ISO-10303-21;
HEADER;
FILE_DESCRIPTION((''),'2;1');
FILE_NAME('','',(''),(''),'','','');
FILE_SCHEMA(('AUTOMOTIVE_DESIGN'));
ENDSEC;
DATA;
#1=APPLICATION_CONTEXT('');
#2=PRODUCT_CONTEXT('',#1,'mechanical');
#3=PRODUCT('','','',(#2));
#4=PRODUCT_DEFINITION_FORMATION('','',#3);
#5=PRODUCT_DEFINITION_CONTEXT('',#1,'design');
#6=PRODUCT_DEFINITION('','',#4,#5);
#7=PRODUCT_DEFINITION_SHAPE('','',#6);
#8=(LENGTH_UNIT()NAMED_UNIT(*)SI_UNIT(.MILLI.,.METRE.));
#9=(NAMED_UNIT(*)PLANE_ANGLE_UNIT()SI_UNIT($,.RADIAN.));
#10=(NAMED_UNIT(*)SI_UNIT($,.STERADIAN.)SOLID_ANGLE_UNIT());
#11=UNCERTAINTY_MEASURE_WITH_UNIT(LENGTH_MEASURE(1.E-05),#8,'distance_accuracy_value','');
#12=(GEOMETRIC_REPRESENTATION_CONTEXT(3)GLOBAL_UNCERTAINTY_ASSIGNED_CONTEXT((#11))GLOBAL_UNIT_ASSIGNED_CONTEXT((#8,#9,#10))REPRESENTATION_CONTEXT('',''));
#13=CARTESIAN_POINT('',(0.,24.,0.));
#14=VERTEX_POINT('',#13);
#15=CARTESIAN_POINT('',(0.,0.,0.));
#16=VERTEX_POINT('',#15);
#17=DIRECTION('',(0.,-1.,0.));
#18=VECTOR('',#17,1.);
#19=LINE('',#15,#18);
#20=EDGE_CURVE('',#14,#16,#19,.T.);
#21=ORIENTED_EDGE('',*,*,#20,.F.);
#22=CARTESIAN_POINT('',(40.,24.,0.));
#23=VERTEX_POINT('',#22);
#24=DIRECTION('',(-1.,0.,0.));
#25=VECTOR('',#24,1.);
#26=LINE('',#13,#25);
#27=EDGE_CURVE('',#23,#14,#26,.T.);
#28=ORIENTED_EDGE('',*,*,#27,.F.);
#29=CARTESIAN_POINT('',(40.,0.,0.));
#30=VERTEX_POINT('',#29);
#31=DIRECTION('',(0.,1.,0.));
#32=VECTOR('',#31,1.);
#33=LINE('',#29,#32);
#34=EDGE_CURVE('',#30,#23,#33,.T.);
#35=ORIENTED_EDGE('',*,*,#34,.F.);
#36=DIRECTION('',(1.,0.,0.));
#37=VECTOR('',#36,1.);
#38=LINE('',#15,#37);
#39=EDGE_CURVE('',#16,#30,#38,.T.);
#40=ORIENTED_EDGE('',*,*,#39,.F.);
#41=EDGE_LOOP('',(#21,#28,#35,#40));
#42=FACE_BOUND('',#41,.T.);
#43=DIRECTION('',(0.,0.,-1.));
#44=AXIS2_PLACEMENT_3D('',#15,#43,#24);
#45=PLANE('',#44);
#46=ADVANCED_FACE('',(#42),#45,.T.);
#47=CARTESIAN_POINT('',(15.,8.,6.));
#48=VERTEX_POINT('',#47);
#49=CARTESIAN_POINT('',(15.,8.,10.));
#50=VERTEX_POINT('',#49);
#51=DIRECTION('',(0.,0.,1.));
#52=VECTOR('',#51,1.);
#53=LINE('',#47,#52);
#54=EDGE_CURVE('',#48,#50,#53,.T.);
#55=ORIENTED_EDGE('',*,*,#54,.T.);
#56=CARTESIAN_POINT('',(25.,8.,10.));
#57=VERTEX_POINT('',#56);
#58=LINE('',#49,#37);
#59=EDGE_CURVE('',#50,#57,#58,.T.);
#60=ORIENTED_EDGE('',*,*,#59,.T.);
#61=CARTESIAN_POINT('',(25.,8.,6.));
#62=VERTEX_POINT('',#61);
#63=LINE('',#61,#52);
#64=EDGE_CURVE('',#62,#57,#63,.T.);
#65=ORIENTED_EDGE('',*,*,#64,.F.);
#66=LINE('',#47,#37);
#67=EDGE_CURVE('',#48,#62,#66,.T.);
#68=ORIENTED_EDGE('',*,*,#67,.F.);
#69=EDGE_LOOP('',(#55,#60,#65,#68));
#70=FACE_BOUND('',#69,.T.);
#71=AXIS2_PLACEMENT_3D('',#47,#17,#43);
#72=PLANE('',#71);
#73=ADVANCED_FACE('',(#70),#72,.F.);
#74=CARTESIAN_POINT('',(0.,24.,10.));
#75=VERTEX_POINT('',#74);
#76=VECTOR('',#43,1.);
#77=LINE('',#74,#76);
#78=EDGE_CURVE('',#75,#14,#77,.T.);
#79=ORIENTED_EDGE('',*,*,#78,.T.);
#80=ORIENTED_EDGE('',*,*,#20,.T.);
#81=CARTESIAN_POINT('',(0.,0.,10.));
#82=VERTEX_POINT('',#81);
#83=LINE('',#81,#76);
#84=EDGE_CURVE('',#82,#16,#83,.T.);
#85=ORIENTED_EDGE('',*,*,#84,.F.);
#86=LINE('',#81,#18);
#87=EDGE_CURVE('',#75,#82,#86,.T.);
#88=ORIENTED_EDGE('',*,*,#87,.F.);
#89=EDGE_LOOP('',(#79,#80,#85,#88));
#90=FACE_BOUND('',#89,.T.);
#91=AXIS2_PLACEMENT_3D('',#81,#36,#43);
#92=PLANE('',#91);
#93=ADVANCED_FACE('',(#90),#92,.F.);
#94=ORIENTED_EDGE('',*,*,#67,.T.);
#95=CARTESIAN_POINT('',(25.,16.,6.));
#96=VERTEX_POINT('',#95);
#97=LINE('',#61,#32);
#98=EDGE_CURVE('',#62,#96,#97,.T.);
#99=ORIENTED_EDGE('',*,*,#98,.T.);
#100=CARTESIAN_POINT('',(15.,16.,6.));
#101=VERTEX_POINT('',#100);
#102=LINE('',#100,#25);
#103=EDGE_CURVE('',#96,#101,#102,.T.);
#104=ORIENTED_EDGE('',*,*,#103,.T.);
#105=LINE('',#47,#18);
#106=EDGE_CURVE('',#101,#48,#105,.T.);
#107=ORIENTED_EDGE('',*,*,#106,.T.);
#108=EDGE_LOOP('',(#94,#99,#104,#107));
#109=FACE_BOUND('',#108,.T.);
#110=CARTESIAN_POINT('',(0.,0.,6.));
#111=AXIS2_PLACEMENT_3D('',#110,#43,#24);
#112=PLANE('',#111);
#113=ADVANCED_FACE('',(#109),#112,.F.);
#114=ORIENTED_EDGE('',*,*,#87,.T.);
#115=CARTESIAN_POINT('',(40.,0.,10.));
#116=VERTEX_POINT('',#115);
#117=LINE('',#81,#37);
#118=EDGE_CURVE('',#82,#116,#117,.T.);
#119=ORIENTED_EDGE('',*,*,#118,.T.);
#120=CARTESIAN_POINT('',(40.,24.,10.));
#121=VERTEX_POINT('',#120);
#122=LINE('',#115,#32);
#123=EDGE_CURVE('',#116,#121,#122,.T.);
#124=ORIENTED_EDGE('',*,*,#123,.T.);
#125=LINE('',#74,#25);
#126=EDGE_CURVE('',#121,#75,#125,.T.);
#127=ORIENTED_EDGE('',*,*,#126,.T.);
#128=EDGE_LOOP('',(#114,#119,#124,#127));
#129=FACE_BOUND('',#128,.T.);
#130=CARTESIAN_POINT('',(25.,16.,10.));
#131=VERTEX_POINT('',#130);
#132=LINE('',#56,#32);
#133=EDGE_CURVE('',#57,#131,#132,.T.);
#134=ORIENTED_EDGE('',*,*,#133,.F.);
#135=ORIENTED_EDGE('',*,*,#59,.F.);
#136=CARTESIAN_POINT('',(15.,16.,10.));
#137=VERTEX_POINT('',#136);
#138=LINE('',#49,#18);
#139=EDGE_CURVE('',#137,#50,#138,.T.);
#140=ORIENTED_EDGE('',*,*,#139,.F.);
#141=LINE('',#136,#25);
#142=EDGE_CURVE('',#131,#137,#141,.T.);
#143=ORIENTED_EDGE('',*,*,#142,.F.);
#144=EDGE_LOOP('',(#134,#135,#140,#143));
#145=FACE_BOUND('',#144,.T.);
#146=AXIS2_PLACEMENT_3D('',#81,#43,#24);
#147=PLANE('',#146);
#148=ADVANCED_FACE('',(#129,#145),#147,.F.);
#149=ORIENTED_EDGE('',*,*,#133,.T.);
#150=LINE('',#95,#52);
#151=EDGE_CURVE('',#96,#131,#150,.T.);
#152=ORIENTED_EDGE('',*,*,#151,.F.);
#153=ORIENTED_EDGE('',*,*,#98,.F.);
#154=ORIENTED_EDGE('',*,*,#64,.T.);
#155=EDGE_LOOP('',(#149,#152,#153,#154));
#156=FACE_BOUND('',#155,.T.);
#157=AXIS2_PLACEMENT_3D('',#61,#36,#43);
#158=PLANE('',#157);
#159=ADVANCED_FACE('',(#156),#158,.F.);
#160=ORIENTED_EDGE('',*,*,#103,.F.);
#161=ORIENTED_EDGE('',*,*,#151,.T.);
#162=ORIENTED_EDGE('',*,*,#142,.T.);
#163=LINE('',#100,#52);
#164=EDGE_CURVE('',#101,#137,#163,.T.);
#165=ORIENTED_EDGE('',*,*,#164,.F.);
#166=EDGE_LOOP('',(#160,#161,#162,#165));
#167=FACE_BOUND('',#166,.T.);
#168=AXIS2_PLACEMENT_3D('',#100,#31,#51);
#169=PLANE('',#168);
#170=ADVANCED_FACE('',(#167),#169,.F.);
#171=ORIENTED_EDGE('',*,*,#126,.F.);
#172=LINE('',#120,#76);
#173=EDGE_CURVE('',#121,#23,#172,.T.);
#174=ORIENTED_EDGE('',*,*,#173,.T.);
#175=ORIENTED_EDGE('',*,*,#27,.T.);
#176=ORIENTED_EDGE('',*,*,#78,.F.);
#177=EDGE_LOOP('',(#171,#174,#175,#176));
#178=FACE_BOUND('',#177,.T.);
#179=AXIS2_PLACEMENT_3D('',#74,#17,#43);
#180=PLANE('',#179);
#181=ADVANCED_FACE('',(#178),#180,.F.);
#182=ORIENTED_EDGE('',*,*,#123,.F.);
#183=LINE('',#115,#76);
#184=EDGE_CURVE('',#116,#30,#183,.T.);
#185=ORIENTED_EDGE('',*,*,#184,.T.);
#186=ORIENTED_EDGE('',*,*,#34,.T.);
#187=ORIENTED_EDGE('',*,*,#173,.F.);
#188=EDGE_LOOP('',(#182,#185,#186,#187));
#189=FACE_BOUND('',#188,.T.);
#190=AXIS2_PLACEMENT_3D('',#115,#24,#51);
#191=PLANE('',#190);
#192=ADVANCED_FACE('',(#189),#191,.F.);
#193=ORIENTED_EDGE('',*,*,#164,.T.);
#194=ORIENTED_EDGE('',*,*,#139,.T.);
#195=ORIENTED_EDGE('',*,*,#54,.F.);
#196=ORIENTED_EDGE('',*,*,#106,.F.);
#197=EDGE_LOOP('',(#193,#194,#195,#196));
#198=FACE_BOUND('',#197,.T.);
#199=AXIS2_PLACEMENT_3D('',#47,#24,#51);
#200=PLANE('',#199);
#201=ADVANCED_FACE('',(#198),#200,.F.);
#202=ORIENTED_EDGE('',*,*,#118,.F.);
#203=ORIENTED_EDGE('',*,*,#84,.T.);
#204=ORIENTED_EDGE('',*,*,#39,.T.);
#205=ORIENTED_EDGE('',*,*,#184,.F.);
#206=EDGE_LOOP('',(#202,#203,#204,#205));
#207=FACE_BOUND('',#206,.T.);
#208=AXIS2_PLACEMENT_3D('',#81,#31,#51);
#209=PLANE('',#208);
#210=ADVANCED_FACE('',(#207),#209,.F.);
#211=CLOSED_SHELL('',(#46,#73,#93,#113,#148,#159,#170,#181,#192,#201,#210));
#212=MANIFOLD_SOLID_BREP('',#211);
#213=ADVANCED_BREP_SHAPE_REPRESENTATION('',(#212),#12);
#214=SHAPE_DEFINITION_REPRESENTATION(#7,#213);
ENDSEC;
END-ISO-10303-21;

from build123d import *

# Parameters (mm, degrees)
RECTANGLESKETCH_W = 40
RECTANGLESKETCH_H = 24
BLINDBOSS_DEPTH   = 10
CUTSKETCH_W       = 10
CUTSKETCH_H       = 8
BLINDCUT_DEPTH    = 4


with BuildPart() as part:
    # RectangleSketch → BlindBoss (new body)
    with BuildSketch(Plane.XY):
        with Locations((20, 12)):
            Rectangle(RECTANGLESKETCH_W, RECTANGLESKETCH_H)
    extrude(amount=BLINDBOSS_DEPTH)

    # CutSketch → BlindCut (cut)
    with BuildSketch(Plane.XY.offset(10)):
        with Locations((20, 12)):
            Rectangle(CUTSKETCH_W, CUTSKETCH_H)
    extrude(amount=-BLINDCUT_DEPTH, mode=Mode.SUBTRACT)


solid = part.part
